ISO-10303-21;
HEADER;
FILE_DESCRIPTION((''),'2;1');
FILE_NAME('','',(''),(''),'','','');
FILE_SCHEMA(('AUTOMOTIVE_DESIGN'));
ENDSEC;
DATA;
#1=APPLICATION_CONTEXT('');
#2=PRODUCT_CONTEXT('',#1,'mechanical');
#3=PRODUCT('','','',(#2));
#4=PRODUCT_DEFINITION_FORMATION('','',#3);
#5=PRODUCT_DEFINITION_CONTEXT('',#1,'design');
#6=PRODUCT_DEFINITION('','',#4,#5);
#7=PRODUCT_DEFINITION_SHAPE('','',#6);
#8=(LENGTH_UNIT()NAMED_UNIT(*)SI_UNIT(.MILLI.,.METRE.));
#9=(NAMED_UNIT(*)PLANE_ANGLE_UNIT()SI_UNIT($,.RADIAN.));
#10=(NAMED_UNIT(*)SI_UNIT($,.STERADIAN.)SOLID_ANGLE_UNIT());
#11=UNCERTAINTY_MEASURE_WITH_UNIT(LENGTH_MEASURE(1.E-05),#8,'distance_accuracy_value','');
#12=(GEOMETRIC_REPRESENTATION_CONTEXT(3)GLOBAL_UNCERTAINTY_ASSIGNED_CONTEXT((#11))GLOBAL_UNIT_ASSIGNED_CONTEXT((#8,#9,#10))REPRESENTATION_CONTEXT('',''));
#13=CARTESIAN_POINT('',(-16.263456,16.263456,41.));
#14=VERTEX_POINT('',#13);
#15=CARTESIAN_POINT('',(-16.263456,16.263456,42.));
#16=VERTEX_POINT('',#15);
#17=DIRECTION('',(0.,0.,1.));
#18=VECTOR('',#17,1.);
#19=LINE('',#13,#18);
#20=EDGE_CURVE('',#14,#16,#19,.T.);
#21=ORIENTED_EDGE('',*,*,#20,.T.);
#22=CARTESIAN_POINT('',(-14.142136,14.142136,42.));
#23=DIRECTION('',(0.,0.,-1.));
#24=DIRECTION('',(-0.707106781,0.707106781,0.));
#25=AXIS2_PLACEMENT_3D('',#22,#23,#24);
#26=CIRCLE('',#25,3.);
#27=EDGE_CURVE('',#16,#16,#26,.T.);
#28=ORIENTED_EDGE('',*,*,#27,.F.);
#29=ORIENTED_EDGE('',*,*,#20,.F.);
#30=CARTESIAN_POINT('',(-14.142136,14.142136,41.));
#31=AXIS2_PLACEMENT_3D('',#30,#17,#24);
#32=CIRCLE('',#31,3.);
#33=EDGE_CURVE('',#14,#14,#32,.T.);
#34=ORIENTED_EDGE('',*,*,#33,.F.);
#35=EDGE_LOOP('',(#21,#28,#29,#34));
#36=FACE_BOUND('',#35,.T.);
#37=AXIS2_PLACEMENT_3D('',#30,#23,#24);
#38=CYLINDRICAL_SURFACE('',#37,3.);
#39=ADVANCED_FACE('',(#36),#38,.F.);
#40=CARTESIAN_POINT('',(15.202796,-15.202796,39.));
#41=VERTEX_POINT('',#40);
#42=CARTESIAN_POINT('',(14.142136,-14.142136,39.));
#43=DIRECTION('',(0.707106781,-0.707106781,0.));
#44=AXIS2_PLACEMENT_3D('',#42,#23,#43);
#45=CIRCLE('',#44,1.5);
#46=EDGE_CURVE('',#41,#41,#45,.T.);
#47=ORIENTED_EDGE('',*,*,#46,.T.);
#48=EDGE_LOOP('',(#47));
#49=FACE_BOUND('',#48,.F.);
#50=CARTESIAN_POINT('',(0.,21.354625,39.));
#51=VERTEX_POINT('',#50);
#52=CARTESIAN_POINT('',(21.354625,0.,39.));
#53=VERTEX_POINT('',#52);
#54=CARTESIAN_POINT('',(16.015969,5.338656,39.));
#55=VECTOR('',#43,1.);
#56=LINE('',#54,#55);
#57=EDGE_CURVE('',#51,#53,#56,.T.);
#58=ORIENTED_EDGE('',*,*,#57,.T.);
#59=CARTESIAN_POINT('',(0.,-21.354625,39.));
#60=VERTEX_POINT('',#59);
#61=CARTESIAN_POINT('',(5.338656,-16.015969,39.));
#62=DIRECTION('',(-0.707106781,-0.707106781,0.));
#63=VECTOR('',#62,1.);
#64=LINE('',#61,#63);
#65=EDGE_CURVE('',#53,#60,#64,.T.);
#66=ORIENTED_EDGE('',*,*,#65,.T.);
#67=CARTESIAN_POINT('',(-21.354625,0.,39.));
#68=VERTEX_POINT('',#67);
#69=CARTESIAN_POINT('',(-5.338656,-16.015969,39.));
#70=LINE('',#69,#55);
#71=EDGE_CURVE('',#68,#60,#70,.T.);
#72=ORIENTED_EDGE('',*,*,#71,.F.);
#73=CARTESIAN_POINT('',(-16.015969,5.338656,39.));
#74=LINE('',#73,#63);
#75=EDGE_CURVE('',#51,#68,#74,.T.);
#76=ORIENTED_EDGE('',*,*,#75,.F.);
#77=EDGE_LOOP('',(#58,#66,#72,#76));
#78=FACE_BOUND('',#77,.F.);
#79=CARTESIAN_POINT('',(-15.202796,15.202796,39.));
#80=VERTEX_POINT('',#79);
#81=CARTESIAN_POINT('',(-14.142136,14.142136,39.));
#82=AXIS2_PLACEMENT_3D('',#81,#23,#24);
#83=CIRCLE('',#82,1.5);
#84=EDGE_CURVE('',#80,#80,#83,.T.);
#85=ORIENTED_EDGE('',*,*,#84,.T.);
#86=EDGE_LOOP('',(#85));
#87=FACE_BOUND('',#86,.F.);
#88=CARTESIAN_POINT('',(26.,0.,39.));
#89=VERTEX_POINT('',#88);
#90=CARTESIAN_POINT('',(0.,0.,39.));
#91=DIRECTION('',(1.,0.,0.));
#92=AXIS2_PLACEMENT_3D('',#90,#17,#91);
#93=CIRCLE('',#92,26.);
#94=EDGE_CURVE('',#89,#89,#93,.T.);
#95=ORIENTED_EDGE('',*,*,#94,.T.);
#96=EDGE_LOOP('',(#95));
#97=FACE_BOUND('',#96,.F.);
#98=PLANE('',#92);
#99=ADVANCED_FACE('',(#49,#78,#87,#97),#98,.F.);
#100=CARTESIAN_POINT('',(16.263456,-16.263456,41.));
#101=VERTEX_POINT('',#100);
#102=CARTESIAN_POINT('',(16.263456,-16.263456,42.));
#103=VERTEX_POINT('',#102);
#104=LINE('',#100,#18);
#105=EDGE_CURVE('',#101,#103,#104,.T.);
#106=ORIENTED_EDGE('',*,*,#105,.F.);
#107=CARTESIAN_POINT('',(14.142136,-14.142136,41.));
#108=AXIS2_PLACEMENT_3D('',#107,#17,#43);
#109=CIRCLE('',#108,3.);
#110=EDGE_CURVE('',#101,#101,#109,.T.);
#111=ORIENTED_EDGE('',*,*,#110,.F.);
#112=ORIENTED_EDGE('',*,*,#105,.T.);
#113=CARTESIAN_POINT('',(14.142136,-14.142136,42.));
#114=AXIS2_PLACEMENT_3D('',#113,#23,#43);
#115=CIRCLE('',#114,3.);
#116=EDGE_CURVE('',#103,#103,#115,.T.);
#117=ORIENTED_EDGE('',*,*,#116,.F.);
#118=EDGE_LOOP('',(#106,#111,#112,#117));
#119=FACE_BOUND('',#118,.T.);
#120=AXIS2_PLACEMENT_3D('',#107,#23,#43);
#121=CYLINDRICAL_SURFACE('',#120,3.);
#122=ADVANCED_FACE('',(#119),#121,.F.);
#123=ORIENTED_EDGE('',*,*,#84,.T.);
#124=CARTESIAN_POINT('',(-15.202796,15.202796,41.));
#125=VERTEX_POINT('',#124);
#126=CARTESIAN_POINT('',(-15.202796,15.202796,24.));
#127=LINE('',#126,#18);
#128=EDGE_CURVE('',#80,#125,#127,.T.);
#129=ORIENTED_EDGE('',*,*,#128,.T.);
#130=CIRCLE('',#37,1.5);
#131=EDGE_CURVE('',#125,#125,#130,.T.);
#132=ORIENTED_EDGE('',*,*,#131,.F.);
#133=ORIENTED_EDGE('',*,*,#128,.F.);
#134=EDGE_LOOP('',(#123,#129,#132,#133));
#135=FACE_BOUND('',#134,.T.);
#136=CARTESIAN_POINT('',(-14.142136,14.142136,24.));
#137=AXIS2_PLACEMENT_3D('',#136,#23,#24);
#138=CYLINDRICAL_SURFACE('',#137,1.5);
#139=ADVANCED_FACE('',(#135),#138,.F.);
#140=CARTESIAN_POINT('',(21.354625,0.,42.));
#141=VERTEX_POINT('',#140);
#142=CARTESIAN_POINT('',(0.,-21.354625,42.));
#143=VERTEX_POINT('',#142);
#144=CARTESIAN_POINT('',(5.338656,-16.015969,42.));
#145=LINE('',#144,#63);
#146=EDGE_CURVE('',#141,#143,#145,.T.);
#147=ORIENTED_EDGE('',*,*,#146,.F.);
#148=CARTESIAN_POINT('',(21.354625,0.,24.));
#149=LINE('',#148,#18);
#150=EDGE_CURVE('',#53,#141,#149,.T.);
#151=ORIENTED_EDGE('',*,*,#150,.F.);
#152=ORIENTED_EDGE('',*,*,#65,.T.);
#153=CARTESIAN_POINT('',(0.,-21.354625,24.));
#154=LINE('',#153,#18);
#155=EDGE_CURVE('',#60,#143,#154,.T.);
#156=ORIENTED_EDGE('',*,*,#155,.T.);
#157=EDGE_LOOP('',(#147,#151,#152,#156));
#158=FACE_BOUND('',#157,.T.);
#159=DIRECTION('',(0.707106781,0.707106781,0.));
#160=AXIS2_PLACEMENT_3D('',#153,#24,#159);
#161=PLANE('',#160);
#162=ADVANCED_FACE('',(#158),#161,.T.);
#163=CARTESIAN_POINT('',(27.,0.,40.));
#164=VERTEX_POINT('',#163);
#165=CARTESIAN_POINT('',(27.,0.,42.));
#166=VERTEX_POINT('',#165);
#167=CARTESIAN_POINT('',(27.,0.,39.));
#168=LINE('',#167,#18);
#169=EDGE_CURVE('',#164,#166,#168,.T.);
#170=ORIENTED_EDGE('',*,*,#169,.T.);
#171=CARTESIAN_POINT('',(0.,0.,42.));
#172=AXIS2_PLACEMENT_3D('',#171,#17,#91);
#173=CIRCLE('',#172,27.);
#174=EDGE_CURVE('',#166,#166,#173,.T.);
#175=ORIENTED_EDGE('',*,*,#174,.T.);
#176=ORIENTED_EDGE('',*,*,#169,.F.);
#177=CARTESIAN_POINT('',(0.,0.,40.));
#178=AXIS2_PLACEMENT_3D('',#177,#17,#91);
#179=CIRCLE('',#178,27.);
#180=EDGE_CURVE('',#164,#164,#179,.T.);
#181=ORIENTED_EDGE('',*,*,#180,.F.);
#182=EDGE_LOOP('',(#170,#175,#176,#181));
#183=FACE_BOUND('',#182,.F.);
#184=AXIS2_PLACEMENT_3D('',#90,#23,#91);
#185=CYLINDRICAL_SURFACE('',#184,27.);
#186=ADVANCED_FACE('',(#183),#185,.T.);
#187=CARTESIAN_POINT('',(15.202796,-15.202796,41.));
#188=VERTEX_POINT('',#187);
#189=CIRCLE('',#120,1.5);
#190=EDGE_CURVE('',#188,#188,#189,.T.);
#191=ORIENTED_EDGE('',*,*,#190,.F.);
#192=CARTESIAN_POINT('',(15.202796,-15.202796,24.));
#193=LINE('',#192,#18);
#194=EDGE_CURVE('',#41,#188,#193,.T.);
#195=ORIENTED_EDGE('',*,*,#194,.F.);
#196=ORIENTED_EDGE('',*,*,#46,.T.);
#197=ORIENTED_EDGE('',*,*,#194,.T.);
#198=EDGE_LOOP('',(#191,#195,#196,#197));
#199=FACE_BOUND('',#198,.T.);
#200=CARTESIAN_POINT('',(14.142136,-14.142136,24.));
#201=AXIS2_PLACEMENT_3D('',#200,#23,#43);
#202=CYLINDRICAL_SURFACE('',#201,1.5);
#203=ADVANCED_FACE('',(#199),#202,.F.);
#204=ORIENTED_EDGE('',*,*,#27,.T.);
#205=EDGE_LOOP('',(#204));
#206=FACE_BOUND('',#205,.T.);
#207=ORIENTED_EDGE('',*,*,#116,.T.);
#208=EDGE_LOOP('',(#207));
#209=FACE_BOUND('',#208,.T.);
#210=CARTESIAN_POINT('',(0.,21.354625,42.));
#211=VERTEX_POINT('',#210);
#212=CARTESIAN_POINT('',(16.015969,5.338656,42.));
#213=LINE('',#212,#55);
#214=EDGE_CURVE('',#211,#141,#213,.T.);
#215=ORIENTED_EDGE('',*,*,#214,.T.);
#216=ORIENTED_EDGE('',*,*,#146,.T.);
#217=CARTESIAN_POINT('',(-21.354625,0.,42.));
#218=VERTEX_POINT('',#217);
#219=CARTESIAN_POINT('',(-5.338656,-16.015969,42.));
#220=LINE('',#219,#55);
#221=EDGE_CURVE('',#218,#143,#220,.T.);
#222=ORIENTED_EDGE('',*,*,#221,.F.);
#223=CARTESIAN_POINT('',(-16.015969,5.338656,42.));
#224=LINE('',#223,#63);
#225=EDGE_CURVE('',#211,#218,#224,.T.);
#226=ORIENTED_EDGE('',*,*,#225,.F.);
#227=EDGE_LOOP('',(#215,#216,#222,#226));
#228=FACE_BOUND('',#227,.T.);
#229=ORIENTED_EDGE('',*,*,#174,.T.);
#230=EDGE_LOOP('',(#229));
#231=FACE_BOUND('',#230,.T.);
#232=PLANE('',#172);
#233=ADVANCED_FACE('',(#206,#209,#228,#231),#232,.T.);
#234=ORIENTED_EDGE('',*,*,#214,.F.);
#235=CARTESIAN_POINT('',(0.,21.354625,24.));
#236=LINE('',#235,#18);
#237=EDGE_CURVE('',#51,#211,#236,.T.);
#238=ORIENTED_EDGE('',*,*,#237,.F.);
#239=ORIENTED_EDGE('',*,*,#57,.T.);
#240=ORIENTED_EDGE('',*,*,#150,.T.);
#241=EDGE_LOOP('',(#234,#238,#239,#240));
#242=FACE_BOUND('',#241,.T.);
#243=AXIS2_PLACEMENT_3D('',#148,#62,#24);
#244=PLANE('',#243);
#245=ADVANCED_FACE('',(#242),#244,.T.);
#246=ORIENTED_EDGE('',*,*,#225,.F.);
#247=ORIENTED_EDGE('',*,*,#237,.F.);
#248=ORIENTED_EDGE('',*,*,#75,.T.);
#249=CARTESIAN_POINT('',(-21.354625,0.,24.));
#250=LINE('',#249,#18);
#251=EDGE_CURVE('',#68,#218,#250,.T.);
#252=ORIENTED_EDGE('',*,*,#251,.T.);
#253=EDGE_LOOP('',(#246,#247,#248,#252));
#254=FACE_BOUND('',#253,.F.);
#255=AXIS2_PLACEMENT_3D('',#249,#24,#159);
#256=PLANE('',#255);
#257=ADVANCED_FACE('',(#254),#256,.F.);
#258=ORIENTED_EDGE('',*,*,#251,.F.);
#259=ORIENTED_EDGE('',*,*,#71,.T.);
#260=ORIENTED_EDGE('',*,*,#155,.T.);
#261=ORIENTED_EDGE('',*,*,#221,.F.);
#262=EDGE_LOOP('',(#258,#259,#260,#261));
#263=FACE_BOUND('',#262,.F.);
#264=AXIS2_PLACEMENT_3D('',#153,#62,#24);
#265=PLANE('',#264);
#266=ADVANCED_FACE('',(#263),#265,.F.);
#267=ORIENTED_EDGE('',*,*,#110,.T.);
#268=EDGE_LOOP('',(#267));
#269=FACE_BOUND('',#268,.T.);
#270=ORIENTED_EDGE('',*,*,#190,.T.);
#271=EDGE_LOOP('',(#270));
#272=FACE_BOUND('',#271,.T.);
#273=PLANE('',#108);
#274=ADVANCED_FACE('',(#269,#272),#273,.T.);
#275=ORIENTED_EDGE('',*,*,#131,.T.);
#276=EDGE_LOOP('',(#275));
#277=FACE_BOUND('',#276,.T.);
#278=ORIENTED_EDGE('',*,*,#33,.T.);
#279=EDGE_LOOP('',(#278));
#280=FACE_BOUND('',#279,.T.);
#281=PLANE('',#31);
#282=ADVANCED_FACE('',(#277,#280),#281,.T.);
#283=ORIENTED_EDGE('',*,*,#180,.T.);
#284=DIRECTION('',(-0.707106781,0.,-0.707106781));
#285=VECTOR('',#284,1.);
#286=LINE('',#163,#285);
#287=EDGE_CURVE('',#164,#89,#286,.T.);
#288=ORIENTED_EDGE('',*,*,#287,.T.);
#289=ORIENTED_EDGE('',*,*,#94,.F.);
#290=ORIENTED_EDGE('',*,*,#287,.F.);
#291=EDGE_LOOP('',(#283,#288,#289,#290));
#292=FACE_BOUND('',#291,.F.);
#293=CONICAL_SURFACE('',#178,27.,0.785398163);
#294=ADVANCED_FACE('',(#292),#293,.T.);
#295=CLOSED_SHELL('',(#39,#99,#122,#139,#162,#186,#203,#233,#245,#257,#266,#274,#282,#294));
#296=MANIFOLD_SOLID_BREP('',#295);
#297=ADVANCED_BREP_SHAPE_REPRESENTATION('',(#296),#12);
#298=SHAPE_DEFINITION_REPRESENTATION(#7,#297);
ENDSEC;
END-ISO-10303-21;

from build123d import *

# Parameters (mm, degrees)
CYLINDER814_R               = 1.5
CYLINDER814_DEPTH           = 20
CYLINDER814_PLACEMENT_ANGLE = 135
CYLINDER815_R               = 1.5
CYLINDER815_DEPTH           = 20
CYLINDER815_PLACEMENT_ANGLE = 45
CYLINDER812_R               = 3
CYLINDER812_DEPTH           = 3
CYLINDER812_PLACEMENT_ANGLE = 135
CYLINDER813_R               = 3
CYLINDER813_DEPTH           = 3
CYLINDER813_PLACEMENT_ANGLE = 45
BOX316_W                    = 30.2
BOX316_H                    = 30.2
BOX316_DEPTH                = 100
BOX316_PLACEMENT_ANGLE      = 45
CYLINDER806_R               = 27
CYLINDER806_DEPTH           = 3
CHAMFER001_SIZE             = 1


with BuildPart() as v_lec814:
    # Cylinder814 → Cylinder814 (new body)
    with BuildSketch(Plane.XY):
        Circle(CYLINDER814_R)
    extrude(amount=CYLINDER814_DEPTH)


with BuildPart() as v_lec814_1:
    # Cylinder814 placement: moved
    add(v_lec814.part.moved(Location((-14.142136, 14.142136, -30))).rotate(Axis((-14.142136, 14.142136, -30), (0, 0, 1)), CYLINDER814_PLACEMENT_ANGLE))


with BuildPart() as compound724:
    # Cylinder815 → Cylinder815 (new body)
    with BuildSketch(Plane.XY):
        Circle(CYLINDER815_R)
    extrude(amount=CYLINDER815_DEPTH)


with BuildPart() as compound724_1:
    # Cylinder815 placement: moved
    add(compound724.part.moved(Location((14.142136, -14.142136, -30))).rotate(Axis((14.142136, -14.142136, -30), (0, 0, -1)), CYLINDER815_PLACEMENT_ANGLE))

    # Compound724: union Válec814
    add(v_lec814_1.part)


with BuildPart() as v_lec812:
    # Cylinder812 → Cylinder812 (new body)
    with BuildSketch(Plane.XY):
        Circle(CYLINDER812_R)
    extrude(amount=CYLINDER812_DEPTH)


with BuildPart() as v_lec812_1:
    # Cylinder812 placement: moved
    add(v_lec812.part.moved(Location((-14.142136, 14.142136, -30))).rotate(Axis((-14.142136, 14.142136, -30), (0, 0, 1)), CYLINDER812_PLACEMENT_ANGLE))


with BuildPart() as compound723:
    # Cylinder813 → Cylinder813 (new body)
    with BuildSketch(Plane.XY):
        Circle(CYLINDER813_R)
    extrude(amount=CYLINDER813_DEPTH)


with BuildPart() as compound723_1:
    # Cylinder813 placement: moved
    add(compound723.part.moved(Location((14.142136, -14.142136, -30))).rotate(Axis((14.142136, -14.142136, -30), (0, 0, -1)), CYLINDER813_PLACEMENT_ANGLE))

    # Compound723: union Válec812
    add(v_lec812_1.part)


with BuildPart() as compound723_2:
    # Compound723 placement: moved
    add(compound723_1.part.moved(Location((0, 0, 17))))


with BuildPart() as krychle316:
    # Box316 → Box316 (new body)
    with BuildSketch(Plane.XY):
        with Locations((15.1, 15.1)):
            Rectangle(BOX316_W, BOX316_H)
    extrude(amount=BOX316_DEPTH)


with BuildPart() as krychle316_1:
    # Box316 placement: moved
    add(krychle316.part.moved(Location((0, -21.354625, -30))).rotate(Axis((0, -21.354625, -30), (0, 0, 1)), BOX316_PLACEMENT_ANGLE))


with BuildPart() as g_midi_belt_wheel_front:
    # Cylinder806 → Cylinder806 (new body)
    with BuildSketch(Plane.XY.offset(-15)):
        Circle(CYLINDER806_R)
    extrude(amount=CYLINDER806_DEPTH)

    # Cut341: cut Krychle316
    add(krychle316_1.part, mode=Mode.SUBTRACT)

    # Chamfer001
    chamfer001_edges = [g_midi_belt_wheel_front.edges().sort_by_distance(p)[0] for p in [
        (-27, 0, -15),
    ]]
    chamfer(chamfer001_edges, length=CHAMFER001_SIZE)

    # Cut345: cut Compound723
    add(compound723_2.part, mode=Mode.SUBTRACT)

    # Cut346: cut Compound724
    add(compound724_1.part, mode=Mode.SUBTRACT)


with BuildPart() as g_midi_belt_wheel_front_1:
    # Cut346 placement: moved
    add(g_midi_belt_wheel_front.part.moved(Location((0, 0, 54))))


solid = g_midi_belt_wheel_front_1.part
